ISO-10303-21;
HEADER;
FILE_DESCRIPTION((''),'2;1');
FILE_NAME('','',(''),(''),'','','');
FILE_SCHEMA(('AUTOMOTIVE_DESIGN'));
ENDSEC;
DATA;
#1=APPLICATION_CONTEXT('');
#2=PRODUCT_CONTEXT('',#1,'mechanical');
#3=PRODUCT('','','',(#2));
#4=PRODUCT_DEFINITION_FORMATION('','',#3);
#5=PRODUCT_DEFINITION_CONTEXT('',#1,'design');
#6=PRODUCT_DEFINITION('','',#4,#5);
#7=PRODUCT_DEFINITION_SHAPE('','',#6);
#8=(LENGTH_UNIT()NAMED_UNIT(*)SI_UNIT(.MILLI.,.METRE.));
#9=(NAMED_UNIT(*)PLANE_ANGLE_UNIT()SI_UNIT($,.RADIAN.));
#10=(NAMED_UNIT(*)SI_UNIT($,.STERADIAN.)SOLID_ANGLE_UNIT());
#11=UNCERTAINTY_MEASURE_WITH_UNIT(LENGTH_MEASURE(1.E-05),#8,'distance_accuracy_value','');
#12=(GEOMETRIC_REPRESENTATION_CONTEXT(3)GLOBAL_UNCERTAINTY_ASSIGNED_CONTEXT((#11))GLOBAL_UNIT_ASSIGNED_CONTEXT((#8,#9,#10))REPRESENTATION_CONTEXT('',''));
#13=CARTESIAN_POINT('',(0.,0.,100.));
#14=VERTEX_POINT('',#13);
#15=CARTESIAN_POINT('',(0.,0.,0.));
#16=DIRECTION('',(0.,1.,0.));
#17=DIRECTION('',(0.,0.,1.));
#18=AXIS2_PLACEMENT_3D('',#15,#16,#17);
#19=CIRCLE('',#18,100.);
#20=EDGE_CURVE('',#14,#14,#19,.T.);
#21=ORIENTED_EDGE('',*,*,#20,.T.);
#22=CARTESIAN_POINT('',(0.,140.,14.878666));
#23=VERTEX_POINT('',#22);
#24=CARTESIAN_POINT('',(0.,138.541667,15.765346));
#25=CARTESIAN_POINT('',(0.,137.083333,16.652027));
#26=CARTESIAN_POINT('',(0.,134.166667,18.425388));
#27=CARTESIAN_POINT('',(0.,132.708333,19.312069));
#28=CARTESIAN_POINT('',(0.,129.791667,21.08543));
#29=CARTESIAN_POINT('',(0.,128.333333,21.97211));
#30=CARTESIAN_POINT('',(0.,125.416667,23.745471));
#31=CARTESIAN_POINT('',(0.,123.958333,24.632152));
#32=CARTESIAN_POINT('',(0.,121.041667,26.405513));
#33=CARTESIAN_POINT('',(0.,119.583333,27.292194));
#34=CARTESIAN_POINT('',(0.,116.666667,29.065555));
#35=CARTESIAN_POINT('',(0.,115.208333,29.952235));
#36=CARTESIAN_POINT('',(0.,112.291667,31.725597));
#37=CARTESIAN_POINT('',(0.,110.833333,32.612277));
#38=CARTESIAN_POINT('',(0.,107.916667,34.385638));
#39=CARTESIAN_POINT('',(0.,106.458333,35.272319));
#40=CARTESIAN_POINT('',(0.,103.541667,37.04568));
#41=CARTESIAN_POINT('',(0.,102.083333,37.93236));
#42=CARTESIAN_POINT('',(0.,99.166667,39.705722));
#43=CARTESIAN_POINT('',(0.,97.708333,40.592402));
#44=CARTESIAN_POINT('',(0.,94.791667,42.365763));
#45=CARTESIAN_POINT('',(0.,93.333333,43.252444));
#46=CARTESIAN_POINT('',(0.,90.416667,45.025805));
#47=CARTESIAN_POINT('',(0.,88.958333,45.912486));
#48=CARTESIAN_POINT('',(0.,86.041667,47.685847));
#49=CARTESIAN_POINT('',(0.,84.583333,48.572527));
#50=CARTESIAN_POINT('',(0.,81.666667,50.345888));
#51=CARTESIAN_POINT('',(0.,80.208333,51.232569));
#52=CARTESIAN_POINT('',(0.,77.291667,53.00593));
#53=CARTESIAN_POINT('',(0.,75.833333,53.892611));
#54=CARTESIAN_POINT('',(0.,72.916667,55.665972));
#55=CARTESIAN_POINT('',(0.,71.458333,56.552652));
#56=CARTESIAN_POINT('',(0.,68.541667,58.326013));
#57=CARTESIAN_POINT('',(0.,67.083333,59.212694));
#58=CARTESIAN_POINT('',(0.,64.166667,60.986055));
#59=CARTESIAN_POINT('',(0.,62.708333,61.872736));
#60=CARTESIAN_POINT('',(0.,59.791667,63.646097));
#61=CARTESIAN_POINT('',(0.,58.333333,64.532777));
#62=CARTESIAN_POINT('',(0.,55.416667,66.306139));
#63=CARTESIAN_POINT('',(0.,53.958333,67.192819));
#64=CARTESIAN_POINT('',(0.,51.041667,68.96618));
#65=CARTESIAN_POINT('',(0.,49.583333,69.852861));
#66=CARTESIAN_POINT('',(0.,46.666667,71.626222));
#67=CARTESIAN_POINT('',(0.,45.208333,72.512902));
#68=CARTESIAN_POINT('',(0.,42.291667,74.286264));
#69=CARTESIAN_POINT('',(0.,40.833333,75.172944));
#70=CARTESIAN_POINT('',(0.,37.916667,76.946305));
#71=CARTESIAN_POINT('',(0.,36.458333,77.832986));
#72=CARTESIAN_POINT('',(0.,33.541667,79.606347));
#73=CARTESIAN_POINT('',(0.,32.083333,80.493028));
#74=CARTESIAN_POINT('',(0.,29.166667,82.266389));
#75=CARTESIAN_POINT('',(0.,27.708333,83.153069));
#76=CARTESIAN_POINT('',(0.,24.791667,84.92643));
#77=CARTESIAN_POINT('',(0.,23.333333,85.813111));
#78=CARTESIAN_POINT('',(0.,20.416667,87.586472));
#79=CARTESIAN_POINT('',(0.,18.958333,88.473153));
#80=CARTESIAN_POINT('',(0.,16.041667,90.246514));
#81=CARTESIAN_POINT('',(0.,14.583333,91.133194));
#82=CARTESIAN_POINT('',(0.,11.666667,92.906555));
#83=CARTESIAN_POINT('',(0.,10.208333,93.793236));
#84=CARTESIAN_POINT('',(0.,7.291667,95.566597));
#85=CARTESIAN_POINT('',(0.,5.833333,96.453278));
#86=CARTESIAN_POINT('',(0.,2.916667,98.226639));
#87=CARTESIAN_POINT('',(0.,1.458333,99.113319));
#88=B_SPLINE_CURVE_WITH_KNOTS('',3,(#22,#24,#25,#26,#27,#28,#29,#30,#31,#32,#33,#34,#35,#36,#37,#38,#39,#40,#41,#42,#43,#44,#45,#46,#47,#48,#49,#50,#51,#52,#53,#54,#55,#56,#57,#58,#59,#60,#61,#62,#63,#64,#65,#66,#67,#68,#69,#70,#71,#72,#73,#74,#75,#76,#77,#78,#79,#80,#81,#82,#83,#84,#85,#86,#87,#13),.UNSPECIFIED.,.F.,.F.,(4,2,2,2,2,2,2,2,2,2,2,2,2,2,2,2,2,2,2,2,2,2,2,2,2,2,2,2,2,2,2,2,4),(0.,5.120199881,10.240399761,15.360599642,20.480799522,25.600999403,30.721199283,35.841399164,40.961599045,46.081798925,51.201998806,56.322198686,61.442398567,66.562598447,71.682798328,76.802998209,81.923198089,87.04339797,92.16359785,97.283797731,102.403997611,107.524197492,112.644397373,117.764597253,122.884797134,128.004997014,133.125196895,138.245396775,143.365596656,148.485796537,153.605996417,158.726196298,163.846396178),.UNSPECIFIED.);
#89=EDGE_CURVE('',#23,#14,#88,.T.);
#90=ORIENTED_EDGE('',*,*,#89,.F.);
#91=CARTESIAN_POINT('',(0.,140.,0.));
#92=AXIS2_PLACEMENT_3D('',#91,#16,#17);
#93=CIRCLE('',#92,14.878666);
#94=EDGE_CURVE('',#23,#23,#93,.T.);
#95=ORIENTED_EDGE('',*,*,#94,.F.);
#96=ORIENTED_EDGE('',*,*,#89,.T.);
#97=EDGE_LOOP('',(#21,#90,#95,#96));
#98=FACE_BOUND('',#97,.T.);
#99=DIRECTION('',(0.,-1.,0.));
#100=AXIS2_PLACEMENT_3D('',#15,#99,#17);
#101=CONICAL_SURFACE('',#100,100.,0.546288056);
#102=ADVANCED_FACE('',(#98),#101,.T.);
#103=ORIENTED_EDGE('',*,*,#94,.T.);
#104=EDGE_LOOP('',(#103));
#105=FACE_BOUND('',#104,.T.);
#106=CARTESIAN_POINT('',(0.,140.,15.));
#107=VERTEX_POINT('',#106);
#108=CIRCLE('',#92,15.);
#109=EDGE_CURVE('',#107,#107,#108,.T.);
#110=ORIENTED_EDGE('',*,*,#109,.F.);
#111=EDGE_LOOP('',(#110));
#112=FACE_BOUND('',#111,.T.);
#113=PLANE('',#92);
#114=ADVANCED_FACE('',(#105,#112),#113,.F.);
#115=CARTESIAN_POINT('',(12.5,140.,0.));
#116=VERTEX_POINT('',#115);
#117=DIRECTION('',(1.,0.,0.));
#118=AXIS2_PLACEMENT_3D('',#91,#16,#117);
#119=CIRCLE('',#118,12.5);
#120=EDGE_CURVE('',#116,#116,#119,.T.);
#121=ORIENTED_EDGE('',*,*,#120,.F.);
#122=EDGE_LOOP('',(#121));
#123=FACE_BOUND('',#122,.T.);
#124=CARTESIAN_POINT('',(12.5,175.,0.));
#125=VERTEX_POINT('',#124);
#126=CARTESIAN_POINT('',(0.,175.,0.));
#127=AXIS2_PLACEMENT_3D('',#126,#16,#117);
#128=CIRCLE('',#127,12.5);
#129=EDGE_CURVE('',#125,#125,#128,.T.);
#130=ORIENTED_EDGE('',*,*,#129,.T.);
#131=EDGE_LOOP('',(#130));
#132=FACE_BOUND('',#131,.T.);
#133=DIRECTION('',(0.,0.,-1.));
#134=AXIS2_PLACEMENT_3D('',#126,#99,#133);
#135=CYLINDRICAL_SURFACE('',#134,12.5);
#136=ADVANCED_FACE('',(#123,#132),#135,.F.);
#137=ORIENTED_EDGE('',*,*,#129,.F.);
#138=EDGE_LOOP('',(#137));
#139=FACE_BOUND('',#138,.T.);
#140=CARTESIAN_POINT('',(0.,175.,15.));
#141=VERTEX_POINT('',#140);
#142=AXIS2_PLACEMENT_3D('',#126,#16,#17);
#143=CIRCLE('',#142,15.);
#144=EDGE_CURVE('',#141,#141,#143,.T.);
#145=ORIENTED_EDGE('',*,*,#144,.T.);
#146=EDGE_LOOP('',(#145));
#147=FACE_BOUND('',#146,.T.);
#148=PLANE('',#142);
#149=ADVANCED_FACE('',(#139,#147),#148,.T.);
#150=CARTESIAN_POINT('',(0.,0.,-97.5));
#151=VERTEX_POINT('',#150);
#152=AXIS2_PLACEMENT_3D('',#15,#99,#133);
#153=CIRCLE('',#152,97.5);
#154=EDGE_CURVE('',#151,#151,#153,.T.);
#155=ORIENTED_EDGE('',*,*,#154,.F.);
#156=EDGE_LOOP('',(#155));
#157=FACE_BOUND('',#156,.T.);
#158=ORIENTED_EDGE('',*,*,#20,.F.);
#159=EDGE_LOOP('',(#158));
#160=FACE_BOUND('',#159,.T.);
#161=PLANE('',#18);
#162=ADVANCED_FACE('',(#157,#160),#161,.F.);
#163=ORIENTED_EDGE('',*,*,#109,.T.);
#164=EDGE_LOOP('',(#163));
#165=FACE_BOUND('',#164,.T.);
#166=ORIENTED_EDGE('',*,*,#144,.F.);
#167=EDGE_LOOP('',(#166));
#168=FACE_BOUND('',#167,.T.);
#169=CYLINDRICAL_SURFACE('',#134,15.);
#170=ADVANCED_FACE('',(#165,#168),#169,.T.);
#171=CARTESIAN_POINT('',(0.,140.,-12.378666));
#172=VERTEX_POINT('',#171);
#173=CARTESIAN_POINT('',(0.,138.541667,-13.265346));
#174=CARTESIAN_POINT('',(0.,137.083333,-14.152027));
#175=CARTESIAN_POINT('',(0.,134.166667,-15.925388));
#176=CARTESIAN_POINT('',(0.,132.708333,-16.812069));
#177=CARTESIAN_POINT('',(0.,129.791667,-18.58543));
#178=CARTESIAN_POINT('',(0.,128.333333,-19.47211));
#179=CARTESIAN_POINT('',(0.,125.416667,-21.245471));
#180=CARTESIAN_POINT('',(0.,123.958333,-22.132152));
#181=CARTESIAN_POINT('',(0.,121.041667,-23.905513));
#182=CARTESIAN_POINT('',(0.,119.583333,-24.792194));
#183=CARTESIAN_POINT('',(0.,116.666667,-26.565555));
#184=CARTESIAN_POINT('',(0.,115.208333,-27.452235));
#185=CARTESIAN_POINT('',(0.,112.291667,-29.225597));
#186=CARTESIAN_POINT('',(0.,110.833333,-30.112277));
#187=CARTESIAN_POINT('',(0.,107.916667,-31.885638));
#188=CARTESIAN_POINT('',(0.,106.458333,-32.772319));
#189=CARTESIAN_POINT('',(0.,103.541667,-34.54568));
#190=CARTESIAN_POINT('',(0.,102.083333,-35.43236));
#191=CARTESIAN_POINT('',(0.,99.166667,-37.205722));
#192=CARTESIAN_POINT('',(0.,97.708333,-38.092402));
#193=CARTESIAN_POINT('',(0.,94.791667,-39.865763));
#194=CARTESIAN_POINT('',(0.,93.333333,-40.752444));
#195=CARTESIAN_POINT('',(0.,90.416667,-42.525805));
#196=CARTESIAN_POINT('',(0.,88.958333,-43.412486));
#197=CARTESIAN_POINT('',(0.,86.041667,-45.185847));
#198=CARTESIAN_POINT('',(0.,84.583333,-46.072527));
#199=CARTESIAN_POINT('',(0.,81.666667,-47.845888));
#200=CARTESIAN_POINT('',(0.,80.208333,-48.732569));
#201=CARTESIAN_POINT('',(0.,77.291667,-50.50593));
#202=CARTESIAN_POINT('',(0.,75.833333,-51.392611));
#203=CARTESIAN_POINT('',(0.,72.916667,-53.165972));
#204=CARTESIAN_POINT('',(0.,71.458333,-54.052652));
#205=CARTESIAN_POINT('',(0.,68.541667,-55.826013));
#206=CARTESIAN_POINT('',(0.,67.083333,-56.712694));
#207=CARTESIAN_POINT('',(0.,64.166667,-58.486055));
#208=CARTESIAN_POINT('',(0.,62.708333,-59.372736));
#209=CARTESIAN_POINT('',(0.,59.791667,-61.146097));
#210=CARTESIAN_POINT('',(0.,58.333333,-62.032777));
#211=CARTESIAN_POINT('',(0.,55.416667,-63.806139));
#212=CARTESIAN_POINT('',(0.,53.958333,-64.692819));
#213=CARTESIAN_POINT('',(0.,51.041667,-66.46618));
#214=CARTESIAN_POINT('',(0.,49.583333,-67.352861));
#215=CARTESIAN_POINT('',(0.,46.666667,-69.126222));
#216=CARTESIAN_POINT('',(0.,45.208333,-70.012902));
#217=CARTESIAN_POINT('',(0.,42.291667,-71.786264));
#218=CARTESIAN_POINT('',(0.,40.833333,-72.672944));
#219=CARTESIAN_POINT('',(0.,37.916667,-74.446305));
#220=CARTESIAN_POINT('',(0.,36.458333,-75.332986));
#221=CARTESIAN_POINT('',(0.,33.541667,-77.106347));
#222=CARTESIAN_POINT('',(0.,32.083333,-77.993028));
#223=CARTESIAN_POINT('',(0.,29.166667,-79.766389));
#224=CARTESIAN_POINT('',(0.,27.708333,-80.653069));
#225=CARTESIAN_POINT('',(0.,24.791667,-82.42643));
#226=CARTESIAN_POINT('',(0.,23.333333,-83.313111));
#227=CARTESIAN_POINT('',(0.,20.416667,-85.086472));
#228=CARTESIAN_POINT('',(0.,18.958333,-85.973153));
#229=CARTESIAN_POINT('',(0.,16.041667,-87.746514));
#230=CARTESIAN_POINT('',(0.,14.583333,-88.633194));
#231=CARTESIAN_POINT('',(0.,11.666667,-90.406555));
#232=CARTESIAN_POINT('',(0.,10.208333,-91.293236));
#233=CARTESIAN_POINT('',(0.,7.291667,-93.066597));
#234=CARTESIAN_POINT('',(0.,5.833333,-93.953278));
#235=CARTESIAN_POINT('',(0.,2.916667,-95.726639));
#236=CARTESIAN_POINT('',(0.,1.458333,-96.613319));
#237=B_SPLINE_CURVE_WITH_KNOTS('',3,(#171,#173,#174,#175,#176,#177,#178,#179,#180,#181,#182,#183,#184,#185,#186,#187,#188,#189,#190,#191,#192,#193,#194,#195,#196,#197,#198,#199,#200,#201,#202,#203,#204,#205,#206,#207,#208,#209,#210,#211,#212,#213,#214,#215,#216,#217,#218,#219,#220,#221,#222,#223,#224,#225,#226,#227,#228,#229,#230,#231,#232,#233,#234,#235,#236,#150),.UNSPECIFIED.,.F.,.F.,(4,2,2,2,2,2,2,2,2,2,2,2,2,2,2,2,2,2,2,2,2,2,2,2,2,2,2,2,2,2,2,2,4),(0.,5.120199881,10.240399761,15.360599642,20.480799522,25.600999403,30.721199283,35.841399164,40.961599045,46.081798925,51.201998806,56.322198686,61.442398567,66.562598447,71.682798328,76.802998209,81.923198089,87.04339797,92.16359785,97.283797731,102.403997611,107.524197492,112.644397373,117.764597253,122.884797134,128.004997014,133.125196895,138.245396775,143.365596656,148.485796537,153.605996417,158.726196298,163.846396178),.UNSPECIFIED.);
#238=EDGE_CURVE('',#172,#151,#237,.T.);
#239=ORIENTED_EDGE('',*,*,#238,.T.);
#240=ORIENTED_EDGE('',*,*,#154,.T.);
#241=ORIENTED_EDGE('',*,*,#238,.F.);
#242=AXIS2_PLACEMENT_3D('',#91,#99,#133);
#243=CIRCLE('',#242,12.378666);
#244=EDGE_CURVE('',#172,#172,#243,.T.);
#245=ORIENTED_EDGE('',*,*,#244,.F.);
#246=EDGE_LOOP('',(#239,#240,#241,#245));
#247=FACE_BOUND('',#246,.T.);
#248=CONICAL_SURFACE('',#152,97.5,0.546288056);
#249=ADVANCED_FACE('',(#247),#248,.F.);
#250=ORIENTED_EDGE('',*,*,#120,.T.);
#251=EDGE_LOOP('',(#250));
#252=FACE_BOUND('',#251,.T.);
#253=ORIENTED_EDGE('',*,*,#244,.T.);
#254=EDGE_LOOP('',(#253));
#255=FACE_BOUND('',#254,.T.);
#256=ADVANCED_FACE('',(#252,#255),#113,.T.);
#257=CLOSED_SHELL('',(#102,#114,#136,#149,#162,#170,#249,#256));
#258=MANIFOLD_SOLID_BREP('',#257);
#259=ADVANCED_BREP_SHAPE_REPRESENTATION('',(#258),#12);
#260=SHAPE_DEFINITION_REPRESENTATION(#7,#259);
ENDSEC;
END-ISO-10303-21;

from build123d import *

# Parameters (mm, degrees)
SKETCH1_R           = 100
BOSS_EXTRUDE3_DEPTH = 140
BOSS_EXTRUDE3_TAPER = 31.3
SKETCH2_R           = 97.5
CUT_EXTRUDE1_DEPTH  = 140
CUT_EXTRUDE1_DRAFT  = -31.3
SKETCH4_R           = 15
SKETCH4_R_2         = 12.5
EXTRUDE_THIN1_DEPTH = 35


with BuildPart() as part:
    # Sketch1 → Boss-Extrude3 (new body)
    with BuildSketch(Plane(origin=(0, 0, 0), x_dir=(1, 0, 0), z_dir=(0, 1, 0))):
        Circle(SKETCH1_R)
    extrude(amount=BOSS_EXTRUDE3_DEPTH, taper=BOSS_EXTRUDE3_TAPER)


with BuildPart() as cut_extrude1_tool:
    # Sketch2 → Cut-Extrude1 (with draft: the straight prism first)
    with BuildSketch(Plane.XZ):
        Circle(SKETCH2_R)
    extrude(amount=-CUT_EXTRUDE1_DEPTH)
    # Cut-Extrude1: the draft: its side faces are tilted about the plane it starts from
    cut_extrude1_sides = [cut_extrude1_tool.faces().sort_by_distance(p)[0] for p in [
        (-97.5, 70, 0),
    ]]
    draft(cut_extrude1_sides, Plane.XZ, CUT_EXTRUDE1_DRAFT)


with BuildPart() as part_1:
    add(part.part)

    # Cut-Extrude1: cut by cut_extrude1_tool
    add(cut_extrude1_tool.part, mode=Mode.SUBTRACT)

    # Sketch4 → Extrude-Thin1 (add)
    with BuildSketch(Plane(origin=(0, 140, 0), x_dir=(1, 0, 0), z_dir=(0, 1, 0))):
        Circle(SKETCH4_R)
        Circle(SKETCH4_R_2, mode=Mode.SUBTRACT)
    extrude(amount=EXTRUDE_THIN1_DEPTH)


solid = part_1.part
